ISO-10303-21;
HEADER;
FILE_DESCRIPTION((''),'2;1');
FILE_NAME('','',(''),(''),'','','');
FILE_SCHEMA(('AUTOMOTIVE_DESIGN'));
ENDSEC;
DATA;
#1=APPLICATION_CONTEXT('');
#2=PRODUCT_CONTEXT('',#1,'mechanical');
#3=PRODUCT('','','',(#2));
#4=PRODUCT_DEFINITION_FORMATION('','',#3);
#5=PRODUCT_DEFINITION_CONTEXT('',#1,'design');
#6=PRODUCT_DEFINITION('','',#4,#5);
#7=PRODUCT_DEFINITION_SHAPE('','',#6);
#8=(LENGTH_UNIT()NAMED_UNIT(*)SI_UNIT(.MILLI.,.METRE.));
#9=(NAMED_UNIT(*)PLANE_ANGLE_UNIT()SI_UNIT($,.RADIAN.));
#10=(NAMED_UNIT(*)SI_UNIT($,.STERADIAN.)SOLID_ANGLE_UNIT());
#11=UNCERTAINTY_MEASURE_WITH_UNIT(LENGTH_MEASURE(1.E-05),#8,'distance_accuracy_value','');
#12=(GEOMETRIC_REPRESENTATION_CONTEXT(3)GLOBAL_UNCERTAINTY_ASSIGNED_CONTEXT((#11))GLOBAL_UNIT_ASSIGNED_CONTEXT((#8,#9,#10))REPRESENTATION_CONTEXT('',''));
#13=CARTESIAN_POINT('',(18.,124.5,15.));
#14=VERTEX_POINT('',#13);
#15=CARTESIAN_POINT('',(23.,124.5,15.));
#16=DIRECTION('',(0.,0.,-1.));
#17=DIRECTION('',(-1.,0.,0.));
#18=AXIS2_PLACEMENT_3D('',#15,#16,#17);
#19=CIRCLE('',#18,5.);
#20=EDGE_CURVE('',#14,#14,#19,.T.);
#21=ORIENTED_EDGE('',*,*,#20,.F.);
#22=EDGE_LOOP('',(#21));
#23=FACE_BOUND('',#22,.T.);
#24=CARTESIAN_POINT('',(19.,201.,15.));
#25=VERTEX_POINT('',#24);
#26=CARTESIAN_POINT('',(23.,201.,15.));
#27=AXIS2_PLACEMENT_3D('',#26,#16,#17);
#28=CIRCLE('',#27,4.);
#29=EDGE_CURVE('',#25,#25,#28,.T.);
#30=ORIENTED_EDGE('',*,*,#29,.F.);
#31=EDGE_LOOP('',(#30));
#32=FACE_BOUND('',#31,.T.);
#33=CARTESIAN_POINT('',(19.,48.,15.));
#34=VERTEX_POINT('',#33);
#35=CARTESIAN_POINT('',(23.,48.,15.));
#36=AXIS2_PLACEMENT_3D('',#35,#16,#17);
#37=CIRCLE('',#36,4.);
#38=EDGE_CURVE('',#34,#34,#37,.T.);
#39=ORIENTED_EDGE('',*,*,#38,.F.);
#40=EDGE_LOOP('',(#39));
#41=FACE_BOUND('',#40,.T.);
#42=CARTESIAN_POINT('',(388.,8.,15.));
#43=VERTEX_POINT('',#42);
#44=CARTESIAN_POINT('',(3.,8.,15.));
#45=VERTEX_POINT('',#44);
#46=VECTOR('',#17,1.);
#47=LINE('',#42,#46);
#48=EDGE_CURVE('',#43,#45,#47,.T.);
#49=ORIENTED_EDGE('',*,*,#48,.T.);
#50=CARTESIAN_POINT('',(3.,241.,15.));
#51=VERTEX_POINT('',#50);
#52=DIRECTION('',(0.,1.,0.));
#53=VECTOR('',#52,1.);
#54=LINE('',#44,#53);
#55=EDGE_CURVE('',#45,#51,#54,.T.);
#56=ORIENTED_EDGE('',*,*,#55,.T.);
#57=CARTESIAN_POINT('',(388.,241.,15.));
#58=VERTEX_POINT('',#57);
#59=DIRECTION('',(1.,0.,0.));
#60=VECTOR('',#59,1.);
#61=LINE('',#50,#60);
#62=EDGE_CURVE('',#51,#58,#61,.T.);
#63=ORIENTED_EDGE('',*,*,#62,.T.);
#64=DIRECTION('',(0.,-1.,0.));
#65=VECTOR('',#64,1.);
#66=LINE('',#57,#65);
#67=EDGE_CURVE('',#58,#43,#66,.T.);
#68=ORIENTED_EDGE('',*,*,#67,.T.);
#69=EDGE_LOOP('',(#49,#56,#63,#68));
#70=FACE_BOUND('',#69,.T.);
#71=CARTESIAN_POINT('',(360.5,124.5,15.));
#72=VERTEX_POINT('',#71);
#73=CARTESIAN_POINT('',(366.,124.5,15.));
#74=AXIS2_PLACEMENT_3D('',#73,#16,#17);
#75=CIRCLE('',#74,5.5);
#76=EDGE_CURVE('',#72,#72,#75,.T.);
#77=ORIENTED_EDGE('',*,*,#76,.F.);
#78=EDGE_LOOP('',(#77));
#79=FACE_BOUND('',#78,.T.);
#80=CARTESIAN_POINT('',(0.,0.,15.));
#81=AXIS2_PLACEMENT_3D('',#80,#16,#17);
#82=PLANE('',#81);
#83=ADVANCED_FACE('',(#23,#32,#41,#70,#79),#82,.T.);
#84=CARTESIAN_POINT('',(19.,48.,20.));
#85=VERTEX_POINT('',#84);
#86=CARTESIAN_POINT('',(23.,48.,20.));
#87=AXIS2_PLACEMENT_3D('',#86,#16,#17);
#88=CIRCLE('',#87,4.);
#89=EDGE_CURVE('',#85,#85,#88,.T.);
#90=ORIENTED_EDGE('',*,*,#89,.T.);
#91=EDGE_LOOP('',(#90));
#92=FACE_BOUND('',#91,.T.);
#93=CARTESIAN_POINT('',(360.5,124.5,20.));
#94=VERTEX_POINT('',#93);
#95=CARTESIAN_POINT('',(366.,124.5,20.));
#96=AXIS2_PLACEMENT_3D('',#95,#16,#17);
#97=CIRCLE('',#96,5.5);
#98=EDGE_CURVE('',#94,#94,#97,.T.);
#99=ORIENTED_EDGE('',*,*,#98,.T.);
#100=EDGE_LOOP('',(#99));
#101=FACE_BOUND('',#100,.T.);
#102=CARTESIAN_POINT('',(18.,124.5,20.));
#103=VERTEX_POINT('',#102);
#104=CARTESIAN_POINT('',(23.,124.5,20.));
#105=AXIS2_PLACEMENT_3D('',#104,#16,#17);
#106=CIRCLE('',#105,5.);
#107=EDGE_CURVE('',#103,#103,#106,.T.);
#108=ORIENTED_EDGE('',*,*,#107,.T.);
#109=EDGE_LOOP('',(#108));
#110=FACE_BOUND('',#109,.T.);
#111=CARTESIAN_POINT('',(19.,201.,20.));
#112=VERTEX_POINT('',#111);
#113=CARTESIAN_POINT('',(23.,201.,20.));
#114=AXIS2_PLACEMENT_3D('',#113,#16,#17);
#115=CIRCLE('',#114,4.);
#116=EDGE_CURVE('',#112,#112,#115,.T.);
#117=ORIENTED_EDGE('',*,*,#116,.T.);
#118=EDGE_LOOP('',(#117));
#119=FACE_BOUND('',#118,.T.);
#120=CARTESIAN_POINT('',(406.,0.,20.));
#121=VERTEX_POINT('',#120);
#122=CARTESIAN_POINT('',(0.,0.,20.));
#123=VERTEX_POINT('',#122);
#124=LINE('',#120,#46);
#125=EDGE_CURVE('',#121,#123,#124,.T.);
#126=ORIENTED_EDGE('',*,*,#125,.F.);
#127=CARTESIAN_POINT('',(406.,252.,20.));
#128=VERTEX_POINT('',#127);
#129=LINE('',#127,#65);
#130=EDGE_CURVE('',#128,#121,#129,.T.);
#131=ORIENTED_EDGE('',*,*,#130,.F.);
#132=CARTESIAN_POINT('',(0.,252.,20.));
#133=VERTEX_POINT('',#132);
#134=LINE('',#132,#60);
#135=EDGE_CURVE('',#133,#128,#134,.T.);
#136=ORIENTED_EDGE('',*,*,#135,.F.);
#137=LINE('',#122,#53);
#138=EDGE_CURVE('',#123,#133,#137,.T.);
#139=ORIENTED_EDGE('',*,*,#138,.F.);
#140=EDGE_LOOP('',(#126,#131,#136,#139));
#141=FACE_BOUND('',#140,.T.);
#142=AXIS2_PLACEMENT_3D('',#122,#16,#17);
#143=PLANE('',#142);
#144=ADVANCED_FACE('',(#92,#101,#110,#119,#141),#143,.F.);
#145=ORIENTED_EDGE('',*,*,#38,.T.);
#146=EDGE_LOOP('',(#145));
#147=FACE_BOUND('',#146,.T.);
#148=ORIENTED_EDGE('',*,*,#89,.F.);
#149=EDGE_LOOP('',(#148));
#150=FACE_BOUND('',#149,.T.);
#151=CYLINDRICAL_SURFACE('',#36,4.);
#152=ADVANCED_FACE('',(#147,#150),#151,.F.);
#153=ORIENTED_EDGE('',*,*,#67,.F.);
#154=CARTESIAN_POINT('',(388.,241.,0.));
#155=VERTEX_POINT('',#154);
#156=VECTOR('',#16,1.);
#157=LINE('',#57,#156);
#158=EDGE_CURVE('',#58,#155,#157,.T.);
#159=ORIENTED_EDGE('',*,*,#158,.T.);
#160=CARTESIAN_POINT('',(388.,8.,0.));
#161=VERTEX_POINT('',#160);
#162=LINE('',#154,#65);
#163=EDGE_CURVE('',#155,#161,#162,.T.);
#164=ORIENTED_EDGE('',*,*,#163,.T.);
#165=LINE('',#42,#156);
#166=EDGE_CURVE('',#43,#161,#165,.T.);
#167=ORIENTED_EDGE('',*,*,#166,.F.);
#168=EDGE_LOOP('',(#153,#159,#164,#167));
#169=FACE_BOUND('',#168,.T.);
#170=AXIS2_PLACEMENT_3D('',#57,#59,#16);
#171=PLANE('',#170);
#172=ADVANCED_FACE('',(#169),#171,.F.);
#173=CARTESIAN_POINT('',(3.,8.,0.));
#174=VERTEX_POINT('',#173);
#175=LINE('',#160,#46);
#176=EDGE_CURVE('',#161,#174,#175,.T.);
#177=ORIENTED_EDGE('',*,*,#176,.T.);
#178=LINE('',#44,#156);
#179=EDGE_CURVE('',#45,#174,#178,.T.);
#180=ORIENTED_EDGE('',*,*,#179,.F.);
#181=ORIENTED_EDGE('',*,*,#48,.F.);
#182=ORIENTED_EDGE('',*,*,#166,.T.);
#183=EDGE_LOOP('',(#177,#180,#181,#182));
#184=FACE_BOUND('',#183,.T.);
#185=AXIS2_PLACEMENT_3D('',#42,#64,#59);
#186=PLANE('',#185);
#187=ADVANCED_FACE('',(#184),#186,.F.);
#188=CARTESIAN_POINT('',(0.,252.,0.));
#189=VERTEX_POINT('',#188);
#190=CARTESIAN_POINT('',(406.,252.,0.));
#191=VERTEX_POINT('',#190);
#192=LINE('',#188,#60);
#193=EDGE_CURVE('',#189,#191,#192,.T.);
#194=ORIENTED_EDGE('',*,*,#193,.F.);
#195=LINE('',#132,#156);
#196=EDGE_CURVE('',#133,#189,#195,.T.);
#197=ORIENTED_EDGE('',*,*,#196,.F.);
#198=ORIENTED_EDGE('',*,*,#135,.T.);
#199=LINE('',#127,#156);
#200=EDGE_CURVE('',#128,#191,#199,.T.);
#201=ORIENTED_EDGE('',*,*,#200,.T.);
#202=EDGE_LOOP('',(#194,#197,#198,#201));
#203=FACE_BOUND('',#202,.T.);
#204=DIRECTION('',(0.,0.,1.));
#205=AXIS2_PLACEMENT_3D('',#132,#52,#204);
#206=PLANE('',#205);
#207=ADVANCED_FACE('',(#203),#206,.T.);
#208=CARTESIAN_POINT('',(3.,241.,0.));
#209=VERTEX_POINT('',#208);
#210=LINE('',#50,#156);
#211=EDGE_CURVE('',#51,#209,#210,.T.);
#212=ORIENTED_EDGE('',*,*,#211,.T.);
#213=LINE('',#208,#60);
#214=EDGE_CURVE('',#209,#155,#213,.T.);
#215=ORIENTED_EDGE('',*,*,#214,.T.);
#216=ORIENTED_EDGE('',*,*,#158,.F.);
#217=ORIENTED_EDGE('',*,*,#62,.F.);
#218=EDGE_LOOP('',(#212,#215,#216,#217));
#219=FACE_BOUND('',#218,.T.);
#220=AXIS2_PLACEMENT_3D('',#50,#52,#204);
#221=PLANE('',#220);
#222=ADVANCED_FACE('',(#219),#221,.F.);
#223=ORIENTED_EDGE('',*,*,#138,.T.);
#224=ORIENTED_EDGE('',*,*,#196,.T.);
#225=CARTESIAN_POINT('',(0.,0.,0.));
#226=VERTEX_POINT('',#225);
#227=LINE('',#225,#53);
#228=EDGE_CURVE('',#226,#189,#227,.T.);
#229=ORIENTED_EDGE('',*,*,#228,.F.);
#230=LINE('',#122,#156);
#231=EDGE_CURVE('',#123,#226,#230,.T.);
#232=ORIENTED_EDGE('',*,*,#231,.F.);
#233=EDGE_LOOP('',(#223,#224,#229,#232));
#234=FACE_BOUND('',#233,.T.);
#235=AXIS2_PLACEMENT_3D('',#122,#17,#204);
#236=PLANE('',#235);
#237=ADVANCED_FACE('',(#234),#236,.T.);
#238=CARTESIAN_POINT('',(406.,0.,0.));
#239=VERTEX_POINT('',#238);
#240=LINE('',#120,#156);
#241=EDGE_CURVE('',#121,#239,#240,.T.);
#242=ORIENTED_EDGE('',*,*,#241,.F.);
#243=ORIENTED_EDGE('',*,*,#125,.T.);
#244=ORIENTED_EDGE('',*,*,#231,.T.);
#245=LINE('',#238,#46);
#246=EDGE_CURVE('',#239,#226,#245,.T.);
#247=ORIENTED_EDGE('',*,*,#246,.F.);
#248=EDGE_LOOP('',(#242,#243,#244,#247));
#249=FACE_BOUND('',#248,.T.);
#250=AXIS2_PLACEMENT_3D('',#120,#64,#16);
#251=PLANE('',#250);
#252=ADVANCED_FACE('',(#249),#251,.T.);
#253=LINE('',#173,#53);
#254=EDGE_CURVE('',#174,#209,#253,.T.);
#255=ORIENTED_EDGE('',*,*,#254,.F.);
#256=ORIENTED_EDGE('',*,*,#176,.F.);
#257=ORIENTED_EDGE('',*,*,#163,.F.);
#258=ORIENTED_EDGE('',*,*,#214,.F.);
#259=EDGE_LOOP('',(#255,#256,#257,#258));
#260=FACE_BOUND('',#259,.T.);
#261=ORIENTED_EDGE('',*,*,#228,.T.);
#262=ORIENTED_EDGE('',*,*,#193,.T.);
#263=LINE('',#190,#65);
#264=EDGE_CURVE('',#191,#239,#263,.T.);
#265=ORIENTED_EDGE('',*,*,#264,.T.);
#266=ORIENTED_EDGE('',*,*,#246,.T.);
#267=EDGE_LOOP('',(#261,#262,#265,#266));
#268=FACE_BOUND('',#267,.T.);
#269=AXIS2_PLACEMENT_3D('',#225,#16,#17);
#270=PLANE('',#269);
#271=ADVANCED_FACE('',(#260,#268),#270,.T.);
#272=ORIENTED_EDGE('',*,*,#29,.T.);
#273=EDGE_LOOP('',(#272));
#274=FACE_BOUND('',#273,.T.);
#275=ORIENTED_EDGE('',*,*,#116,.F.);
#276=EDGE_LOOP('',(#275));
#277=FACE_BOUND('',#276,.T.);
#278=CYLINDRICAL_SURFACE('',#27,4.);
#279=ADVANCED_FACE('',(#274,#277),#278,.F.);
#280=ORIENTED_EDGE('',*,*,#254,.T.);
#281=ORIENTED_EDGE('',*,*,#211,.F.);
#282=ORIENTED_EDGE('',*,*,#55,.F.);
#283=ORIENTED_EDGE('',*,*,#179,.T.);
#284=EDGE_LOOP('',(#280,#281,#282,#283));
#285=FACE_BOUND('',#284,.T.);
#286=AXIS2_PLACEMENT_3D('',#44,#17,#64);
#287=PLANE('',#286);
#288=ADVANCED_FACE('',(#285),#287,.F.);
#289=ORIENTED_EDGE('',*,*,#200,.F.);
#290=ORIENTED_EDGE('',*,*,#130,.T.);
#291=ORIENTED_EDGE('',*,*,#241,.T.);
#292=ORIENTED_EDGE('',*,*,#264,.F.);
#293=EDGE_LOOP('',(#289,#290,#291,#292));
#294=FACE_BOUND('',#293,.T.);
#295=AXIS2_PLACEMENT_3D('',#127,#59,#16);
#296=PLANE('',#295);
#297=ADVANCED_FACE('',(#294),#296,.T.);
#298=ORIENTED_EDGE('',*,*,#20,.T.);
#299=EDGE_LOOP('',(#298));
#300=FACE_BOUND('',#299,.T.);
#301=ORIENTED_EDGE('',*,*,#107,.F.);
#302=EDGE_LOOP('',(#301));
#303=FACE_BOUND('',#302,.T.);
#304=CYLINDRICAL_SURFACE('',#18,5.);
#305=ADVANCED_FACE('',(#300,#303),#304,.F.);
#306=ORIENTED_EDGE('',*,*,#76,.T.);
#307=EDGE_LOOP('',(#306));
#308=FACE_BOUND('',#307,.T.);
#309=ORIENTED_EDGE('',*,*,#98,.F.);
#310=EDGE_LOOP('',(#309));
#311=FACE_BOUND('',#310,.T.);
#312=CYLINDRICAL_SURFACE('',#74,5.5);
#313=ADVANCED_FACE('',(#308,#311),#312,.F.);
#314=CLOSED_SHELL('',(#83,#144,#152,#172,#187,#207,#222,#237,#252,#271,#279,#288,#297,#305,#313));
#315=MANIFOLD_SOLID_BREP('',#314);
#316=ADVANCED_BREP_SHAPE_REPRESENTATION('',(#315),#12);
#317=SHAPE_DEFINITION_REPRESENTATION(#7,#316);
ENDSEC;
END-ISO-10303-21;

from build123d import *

# Parameters (mm, degrees)
SKETCH_1_W              = 406
SKETCH_1_H              = 252
EXTRUDE_1_DEPTH         = 20
SKETCH_2_W              = 385
SKETCH_2_H              = 233
CUT_EXTRUDE_1_DEPTH     = 15
HOLE_WIZARD_10_0_10_1_D = 10
HOLE_WIZARD_8_0_8_1_D   = 8
HOLE_WIZARD_11_0_11_1_D = 11


with BuildPart() as part:
    # Эскиз1 → Бобышка-Вытянуть1 (new body)
    with BuildSketch(Plane(origin=(0, 0, 0), x_dir=(-1, 0, 0), z_dir=(0, 0, -1))):
        with Locations((-203, 126)):
            Rectangle(SKETCH_1_W, SKETCH_1_H)
    extrude(amount=-EXTRUDE_1_DEPTH)

    # Эскиз2 → Вырез-Вытянуть1 (cut)
    with BuildSketch(Plane(origin=(0, 0, 0), x_dir=(-1, 0, 0), z_dir=(0, 0, -1))):
        with Locations((-195.5, 124.5)):
            Rectangle(SKETCH_2_W, SKETCH_2_H)
    extrude(amount=-CUT_EXTRUDE_1_DEPTH, mode=Mode.SUBTRACT)

    # Диаметр отверстия Ø10.0 (10)1 (through all)
    with Locations(Plane(origin=(0, 0, 15), x_dir=(-1, 0, 0), z_dir=(0, 0, -1))):
        with Locations((-23, 124.5)):
            Hole(HOLE_WIZARD_10_0_10_1_D / 2)

    # Диаметр отверстия Ø8.0 (8)1 (through all)
    with Locations(Plane(origin=(0, 0, 15), x_dir=(-1, 0, 0), z_dir=(0, 0, -1))):
        with Locations((-23, 201), (-23, 48)):
            Hole(HOLE_WIZARD_8_0_8_1_D / 2)

    # Диаметр отверстия Ø11.0 (11)1 (through all)
    with Locations(Plane(origin=(0, 0, 15), x_dir=(-1, 0, 0), z_dir=(0, 0, -1))):
        with Locations((-366, 124.5)):
            Hole(HOLE_WIZARD_11_0_11_1_D / 2)


solid = part.part
